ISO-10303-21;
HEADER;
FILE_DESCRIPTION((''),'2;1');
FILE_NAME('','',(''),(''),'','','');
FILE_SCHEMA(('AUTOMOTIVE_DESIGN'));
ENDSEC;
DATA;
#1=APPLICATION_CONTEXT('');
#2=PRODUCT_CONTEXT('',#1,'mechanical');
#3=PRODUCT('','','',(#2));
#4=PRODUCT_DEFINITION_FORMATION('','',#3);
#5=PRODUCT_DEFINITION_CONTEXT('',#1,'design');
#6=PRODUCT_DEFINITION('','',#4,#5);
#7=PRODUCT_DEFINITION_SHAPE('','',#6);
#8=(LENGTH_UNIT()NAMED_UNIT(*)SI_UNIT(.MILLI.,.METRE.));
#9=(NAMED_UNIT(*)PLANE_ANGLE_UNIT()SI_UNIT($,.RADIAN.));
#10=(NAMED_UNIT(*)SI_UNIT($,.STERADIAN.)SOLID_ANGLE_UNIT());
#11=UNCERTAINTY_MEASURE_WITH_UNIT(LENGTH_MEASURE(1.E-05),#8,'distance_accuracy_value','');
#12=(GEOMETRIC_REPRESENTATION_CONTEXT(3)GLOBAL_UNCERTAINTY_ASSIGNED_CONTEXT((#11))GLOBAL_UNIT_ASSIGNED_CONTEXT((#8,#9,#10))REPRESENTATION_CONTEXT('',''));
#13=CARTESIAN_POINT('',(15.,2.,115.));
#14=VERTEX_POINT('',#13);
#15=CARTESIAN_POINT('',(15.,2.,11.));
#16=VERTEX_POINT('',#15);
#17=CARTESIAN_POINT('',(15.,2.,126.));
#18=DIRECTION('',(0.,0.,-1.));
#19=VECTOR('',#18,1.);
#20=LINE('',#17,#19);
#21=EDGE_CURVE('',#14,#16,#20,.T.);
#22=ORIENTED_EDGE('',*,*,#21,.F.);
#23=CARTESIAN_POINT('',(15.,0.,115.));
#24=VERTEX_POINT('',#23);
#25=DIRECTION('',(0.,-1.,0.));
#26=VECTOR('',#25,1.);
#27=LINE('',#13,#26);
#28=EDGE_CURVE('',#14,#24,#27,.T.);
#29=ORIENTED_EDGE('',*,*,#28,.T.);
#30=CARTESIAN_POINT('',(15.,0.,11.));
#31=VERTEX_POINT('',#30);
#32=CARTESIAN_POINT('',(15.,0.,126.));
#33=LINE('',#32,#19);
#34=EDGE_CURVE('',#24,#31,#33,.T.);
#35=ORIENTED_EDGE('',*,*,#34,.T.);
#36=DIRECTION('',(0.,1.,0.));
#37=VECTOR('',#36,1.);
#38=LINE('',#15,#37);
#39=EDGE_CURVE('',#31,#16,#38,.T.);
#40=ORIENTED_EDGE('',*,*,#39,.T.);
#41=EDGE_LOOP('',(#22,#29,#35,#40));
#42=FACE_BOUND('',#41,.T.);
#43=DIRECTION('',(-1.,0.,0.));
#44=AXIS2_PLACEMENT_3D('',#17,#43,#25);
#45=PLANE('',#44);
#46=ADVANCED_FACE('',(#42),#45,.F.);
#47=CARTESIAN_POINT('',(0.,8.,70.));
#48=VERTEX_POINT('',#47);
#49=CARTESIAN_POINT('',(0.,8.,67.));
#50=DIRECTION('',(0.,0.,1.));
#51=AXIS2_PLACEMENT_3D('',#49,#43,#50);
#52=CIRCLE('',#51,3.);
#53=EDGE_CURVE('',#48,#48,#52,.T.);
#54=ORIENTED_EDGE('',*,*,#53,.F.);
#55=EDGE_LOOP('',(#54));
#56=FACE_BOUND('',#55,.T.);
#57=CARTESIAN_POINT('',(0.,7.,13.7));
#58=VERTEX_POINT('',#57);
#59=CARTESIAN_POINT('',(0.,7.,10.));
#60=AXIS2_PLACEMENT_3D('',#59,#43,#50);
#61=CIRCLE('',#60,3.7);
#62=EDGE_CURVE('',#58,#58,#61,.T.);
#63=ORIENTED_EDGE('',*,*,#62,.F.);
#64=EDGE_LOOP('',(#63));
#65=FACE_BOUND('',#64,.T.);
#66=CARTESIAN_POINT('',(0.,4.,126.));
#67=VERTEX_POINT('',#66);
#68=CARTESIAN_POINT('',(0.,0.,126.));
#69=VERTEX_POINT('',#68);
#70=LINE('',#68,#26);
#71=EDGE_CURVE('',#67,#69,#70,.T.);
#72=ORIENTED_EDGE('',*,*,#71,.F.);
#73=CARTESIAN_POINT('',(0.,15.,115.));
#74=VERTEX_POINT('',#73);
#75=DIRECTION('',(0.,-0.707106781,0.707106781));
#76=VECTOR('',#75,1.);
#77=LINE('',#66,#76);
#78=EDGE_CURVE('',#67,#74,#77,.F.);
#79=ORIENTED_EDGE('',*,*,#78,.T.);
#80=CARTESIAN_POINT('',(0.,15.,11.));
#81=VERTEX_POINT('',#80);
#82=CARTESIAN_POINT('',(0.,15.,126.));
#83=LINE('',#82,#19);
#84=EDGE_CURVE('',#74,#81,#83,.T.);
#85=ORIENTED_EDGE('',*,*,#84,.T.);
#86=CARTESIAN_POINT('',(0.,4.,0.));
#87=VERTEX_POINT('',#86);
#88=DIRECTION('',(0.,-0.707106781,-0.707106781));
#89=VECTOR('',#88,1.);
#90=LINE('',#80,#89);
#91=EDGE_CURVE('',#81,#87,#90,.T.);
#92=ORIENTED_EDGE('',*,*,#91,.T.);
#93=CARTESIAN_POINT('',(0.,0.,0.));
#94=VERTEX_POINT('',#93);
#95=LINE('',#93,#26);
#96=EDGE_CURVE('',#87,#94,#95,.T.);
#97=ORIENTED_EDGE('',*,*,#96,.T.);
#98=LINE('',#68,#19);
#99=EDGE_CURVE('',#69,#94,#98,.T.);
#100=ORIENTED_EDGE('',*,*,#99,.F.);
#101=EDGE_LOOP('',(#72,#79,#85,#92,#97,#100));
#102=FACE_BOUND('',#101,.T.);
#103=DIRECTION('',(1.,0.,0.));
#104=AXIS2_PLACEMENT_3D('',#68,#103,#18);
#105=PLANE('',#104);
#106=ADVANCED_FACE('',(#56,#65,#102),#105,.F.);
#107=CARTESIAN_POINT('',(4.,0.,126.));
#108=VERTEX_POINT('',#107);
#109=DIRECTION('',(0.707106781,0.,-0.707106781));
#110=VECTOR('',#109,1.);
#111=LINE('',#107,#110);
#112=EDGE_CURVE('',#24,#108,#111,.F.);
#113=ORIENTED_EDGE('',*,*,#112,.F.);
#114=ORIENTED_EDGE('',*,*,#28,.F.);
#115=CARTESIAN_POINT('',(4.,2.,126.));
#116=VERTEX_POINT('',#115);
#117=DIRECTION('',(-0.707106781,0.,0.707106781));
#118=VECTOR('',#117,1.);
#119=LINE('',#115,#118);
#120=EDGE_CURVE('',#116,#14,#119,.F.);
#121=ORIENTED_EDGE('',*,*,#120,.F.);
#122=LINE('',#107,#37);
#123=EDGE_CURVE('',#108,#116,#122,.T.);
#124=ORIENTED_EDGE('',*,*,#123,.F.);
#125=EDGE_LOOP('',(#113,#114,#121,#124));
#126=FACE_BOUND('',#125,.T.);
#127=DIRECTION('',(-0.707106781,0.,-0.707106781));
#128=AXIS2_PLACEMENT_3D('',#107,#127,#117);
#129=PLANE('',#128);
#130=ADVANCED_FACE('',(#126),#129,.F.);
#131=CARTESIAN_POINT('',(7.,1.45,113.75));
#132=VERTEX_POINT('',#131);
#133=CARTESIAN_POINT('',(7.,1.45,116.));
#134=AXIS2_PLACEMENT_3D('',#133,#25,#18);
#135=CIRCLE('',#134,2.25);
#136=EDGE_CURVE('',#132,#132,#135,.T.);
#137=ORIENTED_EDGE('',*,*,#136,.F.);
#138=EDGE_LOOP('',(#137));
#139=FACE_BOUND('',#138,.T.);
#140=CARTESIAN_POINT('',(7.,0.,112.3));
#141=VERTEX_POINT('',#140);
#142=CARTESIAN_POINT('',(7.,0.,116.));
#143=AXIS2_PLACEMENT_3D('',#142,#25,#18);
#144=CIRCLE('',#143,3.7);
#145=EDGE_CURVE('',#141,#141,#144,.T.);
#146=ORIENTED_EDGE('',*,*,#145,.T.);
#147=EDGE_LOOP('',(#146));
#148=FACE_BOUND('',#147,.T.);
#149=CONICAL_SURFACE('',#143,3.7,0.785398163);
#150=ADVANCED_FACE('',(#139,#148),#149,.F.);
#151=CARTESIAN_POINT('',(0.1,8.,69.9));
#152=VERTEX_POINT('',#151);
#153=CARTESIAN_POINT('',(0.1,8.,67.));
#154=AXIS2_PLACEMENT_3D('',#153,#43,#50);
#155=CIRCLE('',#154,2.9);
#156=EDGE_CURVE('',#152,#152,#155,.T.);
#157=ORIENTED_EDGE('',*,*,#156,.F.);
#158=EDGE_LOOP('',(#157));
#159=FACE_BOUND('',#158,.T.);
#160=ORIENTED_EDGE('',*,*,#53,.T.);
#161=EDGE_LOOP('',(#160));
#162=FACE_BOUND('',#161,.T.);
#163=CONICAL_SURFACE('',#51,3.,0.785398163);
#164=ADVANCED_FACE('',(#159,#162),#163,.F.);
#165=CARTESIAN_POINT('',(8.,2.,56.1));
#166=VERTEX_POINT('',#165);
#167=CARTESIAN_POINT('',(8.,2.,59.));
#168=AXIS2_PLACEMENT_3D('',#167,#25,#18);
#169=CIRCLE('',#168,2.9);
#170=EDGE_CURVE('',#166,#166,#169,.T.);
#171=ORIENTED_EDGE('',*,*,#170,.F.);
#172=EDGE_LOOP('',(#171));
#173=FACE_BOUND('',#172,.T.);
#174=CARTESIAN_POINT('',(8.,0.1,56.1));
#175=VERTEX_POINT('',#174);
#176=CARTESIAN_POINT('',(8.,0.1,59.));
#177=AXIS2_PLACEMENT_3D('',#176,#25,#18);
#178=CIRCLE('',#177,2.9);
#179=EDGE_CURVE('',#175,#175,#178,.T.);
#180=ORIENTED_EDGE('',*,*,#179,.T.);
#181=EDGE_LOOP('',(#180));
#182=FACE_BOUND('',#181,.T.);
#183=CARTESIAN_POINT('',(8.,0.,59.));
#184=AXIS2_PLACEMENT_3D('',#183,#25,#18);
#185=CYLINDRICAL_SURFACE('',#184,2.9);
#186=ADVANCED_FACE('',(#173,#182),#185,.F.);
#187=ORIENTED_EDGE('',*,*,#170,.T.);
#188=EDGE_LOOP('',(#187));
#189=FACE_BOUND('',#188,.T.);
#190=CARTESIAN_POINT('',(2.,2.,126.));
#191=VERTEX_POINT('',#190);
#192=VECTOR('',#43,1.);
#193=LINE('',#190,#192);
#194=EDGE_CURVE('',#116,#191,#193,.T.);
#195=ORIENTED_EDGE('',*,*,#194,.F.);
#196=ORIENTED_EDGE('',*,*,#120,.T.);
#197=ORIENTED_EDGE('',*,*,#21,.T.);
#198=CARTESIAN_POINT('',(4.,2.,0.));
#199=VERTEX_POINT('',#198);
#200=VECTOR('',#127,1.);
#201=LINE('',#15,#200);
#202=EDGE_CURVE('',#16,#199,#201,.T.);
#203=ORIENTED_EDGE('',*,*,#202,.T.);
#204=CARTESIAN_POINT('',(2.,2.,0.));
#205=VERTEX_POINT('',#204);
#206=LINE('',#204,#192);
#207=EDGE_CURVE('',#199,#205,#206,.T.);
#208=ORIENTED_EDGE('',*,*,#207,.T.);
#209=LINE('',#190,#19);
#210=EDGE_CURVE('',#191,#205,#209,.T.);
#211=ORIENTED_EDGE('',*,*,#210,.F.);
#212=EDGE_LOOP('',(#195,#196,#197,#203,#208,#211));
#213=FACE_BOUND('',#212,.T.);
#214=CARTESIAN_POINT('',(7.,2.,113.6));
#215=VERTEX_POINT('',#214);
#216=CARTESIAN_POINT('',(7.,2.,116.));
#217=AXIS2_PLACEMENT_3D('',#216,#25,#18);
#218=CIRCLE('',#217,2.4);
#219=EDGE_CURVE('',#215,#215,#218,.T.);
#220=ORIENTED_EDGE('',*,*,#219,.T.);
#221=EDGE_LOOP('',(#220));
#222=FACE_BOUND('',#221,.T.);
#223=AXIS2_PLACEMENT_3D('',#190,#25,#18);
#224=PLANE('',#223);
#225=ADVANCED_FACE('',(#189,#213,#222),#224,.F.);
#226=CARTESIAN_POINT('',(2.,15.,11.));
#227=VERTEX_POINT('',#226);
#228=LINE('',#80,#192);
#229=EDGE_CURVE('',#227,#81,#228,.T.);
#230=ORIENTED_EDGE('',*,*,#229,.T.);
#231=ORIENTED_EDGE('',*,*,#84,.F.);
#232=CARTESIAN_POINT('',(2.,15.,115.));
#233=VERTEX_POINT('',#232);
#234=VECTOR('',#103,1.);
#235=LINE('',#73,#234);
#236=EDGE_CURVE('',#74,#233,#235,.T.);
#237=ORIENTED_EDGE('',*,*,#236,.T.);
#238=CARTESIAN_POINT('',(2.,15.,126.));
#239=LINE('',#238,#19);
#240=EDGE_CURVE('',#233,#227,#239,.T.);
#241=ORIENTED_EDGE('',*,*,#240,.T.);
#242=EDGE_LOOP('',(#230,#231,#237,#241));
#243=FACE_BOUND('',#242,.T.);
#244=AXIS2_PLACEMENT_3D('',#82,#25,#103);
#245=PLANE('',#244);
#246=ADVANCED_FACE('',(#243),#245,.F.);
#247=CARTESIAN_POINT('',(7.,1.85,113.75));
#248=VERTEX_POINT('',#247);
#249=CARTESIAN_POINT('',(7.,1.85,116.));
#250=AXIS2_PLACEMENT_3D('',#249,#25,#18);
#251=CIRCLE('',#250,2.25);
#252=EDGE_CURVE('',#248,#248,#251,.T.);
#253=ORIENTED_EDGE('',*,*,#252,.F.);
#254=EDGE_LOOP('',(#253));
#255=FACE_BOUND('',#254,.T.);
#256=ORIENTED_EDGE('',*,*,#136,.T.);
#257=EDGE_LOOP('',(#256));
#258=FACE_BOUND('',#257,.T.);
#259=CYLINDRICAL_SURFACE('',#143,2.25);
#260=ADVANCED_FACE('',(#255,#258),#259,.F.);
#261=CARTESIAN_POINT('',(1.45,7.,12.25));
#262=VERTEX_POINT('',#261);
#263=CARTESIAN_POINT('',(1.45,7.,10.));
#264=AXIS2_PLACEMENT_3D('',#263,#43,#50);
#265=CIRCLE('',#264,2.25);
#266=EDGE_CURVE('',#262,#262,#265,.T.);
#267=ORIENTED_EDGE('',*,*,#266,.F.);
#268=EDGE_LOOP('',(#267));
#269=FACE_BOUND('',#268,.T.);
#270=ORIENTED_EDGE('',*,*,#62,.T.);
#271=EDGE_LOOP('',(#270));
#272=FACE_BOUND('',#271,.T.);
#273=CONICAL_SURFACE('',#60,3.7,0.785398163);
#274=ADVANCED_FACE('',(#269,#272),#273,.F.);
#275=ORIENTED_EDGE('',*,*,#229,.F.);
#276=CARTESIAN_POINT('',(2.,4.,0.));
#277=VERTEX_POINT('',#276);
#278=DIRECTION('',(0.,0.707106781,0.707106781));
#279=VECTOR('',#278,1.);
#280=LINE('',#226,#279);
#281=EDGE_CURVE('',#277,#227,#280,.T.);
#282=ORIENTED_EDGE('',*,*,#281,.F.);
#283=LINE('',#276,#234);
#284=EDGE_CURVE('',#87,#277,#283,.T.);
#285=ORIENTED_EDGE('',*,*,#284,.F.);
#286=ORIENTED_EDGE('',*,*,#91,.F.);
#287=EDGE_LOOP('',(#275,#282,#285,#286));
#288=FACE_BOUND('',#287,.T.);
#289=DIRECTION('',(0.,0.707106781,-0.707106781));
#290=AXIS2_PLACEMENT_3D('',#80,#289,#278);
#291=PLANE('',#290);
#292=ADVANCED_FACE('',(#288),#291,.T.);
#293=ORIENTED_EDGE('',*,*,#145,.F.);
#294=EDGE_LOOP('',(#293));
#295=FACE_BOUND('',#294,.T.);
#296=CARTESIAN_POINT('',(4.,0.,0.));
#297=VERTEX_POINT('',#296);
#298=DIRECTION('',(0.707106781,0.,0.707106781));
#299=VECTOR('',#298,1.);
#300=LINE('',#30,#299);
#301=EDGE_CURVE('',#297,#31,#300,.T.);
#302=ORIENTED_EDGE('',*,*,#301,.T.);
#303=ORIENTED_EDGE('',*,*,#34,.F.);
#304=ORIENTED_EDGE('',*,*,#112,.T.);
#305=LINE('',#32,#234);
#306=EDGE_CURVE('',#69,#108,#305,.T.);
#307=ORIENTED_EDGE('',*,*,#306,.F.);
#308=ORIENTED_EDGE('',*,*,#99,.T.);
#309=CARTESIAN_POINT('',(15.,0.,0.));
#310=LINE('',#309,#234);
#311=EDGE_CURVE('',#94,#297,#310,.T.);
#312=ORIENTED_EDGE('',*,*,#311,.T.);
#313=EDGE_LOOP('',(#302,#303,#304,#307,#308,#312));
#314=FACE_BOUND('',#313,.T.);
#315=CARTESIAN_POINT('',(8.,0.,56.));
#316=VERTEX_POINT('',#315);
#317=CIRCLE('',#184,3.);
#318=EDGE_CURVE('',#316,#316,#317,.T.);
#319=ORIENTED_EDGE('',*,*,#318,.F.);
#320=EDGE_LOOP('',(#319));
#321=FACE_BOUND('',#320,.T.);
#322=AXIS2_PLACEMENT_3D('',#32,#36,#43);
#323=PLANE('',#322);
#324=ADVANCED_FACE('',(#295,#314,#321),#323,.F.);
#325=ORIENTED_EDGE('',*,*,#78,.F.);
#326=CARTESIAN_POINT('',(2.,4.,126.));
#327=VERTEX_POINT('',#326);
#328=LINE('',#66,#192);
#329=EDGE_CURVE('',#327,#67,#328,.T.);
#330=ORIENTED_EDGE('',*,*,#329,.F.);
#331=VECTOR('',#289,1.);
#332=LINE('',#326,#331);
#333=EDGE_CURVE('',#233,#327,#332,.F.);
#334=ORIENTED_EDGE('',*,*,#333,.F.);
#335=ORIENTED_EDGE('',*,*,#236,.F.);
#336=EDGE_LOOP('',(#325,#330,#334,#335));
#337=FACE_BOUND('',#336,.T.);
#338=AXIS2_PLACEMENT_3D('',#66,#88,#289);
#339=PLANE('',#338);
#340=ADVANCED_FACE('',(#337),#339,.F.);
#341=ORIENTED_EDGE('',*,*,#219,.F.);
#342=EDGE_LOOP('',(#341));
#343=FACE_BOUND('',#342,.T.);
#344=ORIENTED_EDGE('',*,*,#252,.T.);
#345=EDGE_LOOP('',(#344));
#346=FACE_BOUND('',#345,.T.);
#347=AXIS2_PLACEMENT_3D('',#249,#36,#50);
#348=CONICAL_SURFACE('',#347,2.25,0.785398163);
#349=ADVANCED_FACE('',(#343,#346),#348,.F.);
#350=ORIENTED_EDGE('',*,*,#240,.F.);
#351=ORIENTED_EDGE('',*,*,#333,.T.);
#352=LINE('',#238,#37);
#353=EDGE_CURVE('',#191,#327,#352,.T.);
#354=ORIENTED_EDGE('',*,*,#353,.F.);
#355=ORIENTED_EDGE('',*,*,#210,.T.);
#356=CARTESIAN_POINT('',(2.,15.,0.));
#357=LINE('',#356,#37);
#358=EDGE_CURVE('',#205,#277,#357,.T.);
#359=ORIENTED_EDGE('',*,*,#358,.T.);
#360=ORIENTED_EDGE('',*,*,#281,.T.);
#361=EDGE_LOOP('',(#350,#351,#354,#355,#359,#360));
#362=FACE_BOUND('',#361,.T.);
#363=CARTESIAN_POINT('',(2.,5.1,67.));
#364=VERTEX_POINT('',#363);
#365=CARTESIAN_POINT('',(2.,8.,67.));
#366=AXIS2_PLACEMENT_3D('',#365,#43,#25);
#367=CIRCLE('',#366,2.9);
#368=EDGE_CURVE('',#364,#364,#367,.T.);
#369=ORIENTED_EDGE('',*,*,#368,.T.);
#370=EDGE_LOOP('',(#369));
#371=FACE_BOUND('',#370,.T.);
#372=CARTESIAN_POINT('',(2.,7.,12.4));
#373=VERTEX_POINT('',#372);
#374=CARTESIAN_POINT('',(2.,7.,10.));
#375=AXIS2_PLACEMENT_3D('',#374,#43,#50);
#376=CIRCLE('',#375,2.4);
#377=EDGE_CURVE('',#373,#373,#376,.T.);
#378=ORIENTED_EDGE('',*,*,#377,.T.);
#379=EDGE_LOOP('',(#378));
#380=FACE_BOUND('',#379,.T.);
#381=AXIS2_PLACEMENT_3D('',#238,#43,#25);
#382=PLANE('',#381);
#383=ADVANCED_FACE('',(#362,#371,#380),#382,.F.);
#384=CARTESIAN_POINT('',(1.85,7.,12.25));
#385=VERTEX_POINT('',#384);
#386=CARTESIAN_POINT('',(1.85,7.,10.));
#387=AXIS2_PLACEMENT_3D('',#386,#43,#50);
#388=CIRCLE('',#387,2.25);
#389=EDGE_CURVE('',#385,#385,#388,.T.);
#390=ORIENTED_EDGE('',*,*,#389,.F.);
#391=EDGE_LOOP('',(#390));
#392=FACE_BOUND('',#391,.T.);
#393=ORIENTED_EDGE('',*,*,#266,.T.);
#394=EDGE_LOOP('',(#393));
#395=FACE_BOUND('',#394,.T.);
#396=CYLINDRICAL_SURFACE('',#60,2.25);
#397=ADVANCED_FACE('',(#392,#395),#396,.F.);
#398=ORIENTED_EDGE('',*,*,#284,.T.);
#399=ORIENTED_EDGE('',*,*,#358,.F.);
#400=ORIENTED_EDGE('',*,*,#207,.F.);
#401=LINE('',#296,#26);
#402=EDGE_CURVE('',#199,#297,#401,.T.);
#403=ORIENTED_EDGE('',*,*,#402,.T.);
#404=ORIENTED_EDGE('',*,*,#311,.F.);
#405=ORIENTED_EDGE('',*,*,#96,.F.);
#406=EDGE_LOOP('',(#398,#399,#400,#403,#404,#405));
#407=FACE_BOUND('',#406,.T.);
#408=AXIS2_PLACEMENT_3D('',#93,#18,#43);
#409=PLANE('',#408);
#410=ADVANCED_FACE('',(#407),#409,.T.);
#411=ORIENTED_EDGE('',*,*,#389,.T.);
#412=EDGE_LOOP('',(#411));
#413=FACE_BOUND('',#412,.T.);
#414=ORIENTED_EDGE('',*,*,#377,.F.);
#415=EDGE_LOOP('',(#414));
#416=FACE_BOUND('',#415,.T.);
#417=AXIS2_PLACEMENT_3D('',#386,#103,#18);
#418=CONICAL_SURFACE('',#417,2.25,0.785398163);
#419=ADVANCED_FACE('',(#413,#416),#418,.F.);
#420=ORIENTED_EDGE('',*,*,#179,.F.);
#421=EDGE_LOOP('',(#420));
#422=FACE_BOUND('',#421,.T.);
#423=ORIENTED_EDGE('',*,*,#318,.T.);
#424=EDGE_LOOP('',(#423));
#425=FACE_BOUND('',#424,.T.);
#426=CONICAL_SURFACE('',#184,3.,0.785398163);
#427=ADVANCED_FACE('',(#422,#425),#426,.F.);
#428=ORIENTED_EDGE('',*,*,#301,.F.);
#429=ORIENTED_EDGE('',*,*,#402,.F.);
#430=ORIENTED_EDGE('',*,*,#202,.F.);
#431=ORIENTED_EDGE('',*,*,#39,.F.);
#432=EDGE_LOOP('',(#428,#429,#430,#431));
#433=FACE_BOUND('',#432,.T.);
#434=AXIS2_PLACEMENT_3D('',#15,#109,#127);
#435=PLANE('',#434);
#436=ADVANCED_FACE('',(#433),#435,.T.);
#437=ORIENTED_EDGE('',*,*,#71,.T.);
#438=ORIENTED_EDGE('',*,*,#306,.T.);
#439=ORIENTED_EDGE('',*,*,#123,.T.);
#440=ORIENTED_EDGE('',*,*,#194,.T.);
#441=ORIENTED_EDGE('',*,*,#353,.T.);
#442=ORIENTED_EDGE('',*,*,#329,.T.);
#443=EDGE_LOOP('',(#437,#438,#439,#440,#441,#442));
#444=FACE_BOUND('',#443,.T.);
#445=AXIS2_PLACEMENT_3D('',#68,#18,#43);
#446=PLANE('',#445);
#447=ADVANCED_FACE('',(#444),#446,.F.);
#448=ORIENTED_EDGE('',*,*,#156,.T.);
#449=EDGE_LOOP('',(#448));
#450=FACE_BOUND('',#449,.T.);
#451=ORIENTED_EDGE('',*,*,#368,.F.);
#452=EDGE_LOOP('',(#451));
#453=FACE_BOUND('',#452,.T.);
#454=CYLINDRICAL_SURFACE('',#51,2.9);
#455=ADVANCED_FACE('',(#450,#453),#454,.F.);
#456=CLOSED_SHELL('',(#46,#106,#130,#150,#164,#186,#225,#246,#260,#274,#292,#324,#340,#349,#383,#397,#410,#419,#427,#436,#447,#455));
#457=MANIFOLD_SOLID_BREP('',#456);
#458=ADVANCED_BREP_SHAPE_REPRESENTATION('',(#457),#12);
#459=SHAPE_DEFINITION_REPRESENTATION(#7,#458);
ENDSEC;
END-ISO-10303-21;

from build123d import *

# Parameters (mm, degrees)
EXTRUDE_1_DEPTH             = 126
CHAMFER_1_SIZE              = 11
HOLE_WIZARD_M51_D           = 5.8
HOLE_WIZARD_M51_DEPTH       = 3
HOLE_WIZARD_M51_CSINK_D     = 6
HOLE_WIZARD_M51_CSINK_ANGLE = 90
HOLE_WIZARD_M51_TIP         = 1.742495795
HOLE_WIZARD_M52_D           = 5.8
HOLE_WIZARD_M52_DEPTH       = 3
HOLE_WIZARD_M52_CSINK_D     = 6
HOLE_WIZARD_M52_CSINK_ANGLE = 90
HOLE_WIZARD_M52_TIP         = 1.742495795


with BuildPart() as part:
    # Эскиз1 → Бобышка-Вытянуть1 (new body)
    with BuildSketch(Plane.XY):
        Polygon((0, 0), (0, 15), (2, 15), (2, 2), (15, 2), (15, 0), align=None)
    extrude(amount=EXTRUDE_1_DEPTH)

    # Фаска1
    chamfer_1_edges = [part.edges().sort_by_distance(p)[0] for p in [
        (1, 15, 126),
        (1, 15, 0),
        (15, 1, 126),
        (15, 1, 0),
    ]]
    chamfer(chamfer_1_edges, length=CHAMFER_1_SIZE)

    # Эскиз2 → Зенковка для винта с потайной головкой M41 (revolve, cut)
    with BuildSketch(Plane(origin=(7, 0, 116), x_dir=(0, 0, -1), z_dir=(1, 0, 0))):
        Polygon((0, 0), (0, 2), (2.4, 2), (2.25, 1.85), (2.25, 1.45), (3.7, 0), align=None)
    revolve(axis=Axis((7, -6.35, 116), (0, 1, 0)), mode=Mode.SUBTRACT)

    # Эскиз4 → Зенковка для винта с потайной головкой M42 (revolve, cut)
    with BuildSketch(Plane(origin=(0, 7, 10), x_dir=(0, 0, 1), z_dir=(0, 1, 0))):
        Polygon((0, 0), (0, 2), (2.4, 2), (2.25, 1.85), (2.25, 1.45), (3.7, 0), align=None)
    revolve(axis=Axis((-6.35, 7, 10), (1, 0, 0)), mode=Mode.SUBTRACT)

    # Отверстие с зазором M51
    with Locations(Plane.XZ):
        with Locations((8, 59)):
            CounterSinkHole(HOLE_WIZARD_M51_D / 2, HOLE_WIZARD_M51_CSINK_D / 2, depth=HOLE_WIZARD_M51_DEPTH, counter_sink_angle=HOLE_WIZARD_M51_CSINK_ANGLE)
            with Locations((0, 0, -(HOLE_WIZARD_M51_DEPTH + HOLE_WIZARD_M51_TIP / 2))):  # 118° drill point
                Cone(0, HOLE_WIZARD_M51_D / 2, HOLE_WIZARD_M51_TIP, mode=Mode.SUBTRACT)

    # Отверстие с зазором M52
    with Locations(Plane.ZY):
        with Locations((67, 8)):
            CounterSinkHole(HOLE_WIZARD_M52_D / 2, HOLE_WIZARD_M52_CSINK_D / 2, depth=HOLE_WIZARD_M52_DEPTH, counter_sink_angle=HOLE_WIZARD_M52_CSINK_ANGLE)
            with Locations((0, 0, -(HOLE_WIZARD_M52_DEPTH + HOLE_WIZARD_M52_TIP / 2))):  # 118° drill point
                Cone(0, HOLE_WIZARD_M52_D / 2, HOLE_WIZARD_M52_TIP, mode=Mode.SUBTRACT)


solid = part.part
